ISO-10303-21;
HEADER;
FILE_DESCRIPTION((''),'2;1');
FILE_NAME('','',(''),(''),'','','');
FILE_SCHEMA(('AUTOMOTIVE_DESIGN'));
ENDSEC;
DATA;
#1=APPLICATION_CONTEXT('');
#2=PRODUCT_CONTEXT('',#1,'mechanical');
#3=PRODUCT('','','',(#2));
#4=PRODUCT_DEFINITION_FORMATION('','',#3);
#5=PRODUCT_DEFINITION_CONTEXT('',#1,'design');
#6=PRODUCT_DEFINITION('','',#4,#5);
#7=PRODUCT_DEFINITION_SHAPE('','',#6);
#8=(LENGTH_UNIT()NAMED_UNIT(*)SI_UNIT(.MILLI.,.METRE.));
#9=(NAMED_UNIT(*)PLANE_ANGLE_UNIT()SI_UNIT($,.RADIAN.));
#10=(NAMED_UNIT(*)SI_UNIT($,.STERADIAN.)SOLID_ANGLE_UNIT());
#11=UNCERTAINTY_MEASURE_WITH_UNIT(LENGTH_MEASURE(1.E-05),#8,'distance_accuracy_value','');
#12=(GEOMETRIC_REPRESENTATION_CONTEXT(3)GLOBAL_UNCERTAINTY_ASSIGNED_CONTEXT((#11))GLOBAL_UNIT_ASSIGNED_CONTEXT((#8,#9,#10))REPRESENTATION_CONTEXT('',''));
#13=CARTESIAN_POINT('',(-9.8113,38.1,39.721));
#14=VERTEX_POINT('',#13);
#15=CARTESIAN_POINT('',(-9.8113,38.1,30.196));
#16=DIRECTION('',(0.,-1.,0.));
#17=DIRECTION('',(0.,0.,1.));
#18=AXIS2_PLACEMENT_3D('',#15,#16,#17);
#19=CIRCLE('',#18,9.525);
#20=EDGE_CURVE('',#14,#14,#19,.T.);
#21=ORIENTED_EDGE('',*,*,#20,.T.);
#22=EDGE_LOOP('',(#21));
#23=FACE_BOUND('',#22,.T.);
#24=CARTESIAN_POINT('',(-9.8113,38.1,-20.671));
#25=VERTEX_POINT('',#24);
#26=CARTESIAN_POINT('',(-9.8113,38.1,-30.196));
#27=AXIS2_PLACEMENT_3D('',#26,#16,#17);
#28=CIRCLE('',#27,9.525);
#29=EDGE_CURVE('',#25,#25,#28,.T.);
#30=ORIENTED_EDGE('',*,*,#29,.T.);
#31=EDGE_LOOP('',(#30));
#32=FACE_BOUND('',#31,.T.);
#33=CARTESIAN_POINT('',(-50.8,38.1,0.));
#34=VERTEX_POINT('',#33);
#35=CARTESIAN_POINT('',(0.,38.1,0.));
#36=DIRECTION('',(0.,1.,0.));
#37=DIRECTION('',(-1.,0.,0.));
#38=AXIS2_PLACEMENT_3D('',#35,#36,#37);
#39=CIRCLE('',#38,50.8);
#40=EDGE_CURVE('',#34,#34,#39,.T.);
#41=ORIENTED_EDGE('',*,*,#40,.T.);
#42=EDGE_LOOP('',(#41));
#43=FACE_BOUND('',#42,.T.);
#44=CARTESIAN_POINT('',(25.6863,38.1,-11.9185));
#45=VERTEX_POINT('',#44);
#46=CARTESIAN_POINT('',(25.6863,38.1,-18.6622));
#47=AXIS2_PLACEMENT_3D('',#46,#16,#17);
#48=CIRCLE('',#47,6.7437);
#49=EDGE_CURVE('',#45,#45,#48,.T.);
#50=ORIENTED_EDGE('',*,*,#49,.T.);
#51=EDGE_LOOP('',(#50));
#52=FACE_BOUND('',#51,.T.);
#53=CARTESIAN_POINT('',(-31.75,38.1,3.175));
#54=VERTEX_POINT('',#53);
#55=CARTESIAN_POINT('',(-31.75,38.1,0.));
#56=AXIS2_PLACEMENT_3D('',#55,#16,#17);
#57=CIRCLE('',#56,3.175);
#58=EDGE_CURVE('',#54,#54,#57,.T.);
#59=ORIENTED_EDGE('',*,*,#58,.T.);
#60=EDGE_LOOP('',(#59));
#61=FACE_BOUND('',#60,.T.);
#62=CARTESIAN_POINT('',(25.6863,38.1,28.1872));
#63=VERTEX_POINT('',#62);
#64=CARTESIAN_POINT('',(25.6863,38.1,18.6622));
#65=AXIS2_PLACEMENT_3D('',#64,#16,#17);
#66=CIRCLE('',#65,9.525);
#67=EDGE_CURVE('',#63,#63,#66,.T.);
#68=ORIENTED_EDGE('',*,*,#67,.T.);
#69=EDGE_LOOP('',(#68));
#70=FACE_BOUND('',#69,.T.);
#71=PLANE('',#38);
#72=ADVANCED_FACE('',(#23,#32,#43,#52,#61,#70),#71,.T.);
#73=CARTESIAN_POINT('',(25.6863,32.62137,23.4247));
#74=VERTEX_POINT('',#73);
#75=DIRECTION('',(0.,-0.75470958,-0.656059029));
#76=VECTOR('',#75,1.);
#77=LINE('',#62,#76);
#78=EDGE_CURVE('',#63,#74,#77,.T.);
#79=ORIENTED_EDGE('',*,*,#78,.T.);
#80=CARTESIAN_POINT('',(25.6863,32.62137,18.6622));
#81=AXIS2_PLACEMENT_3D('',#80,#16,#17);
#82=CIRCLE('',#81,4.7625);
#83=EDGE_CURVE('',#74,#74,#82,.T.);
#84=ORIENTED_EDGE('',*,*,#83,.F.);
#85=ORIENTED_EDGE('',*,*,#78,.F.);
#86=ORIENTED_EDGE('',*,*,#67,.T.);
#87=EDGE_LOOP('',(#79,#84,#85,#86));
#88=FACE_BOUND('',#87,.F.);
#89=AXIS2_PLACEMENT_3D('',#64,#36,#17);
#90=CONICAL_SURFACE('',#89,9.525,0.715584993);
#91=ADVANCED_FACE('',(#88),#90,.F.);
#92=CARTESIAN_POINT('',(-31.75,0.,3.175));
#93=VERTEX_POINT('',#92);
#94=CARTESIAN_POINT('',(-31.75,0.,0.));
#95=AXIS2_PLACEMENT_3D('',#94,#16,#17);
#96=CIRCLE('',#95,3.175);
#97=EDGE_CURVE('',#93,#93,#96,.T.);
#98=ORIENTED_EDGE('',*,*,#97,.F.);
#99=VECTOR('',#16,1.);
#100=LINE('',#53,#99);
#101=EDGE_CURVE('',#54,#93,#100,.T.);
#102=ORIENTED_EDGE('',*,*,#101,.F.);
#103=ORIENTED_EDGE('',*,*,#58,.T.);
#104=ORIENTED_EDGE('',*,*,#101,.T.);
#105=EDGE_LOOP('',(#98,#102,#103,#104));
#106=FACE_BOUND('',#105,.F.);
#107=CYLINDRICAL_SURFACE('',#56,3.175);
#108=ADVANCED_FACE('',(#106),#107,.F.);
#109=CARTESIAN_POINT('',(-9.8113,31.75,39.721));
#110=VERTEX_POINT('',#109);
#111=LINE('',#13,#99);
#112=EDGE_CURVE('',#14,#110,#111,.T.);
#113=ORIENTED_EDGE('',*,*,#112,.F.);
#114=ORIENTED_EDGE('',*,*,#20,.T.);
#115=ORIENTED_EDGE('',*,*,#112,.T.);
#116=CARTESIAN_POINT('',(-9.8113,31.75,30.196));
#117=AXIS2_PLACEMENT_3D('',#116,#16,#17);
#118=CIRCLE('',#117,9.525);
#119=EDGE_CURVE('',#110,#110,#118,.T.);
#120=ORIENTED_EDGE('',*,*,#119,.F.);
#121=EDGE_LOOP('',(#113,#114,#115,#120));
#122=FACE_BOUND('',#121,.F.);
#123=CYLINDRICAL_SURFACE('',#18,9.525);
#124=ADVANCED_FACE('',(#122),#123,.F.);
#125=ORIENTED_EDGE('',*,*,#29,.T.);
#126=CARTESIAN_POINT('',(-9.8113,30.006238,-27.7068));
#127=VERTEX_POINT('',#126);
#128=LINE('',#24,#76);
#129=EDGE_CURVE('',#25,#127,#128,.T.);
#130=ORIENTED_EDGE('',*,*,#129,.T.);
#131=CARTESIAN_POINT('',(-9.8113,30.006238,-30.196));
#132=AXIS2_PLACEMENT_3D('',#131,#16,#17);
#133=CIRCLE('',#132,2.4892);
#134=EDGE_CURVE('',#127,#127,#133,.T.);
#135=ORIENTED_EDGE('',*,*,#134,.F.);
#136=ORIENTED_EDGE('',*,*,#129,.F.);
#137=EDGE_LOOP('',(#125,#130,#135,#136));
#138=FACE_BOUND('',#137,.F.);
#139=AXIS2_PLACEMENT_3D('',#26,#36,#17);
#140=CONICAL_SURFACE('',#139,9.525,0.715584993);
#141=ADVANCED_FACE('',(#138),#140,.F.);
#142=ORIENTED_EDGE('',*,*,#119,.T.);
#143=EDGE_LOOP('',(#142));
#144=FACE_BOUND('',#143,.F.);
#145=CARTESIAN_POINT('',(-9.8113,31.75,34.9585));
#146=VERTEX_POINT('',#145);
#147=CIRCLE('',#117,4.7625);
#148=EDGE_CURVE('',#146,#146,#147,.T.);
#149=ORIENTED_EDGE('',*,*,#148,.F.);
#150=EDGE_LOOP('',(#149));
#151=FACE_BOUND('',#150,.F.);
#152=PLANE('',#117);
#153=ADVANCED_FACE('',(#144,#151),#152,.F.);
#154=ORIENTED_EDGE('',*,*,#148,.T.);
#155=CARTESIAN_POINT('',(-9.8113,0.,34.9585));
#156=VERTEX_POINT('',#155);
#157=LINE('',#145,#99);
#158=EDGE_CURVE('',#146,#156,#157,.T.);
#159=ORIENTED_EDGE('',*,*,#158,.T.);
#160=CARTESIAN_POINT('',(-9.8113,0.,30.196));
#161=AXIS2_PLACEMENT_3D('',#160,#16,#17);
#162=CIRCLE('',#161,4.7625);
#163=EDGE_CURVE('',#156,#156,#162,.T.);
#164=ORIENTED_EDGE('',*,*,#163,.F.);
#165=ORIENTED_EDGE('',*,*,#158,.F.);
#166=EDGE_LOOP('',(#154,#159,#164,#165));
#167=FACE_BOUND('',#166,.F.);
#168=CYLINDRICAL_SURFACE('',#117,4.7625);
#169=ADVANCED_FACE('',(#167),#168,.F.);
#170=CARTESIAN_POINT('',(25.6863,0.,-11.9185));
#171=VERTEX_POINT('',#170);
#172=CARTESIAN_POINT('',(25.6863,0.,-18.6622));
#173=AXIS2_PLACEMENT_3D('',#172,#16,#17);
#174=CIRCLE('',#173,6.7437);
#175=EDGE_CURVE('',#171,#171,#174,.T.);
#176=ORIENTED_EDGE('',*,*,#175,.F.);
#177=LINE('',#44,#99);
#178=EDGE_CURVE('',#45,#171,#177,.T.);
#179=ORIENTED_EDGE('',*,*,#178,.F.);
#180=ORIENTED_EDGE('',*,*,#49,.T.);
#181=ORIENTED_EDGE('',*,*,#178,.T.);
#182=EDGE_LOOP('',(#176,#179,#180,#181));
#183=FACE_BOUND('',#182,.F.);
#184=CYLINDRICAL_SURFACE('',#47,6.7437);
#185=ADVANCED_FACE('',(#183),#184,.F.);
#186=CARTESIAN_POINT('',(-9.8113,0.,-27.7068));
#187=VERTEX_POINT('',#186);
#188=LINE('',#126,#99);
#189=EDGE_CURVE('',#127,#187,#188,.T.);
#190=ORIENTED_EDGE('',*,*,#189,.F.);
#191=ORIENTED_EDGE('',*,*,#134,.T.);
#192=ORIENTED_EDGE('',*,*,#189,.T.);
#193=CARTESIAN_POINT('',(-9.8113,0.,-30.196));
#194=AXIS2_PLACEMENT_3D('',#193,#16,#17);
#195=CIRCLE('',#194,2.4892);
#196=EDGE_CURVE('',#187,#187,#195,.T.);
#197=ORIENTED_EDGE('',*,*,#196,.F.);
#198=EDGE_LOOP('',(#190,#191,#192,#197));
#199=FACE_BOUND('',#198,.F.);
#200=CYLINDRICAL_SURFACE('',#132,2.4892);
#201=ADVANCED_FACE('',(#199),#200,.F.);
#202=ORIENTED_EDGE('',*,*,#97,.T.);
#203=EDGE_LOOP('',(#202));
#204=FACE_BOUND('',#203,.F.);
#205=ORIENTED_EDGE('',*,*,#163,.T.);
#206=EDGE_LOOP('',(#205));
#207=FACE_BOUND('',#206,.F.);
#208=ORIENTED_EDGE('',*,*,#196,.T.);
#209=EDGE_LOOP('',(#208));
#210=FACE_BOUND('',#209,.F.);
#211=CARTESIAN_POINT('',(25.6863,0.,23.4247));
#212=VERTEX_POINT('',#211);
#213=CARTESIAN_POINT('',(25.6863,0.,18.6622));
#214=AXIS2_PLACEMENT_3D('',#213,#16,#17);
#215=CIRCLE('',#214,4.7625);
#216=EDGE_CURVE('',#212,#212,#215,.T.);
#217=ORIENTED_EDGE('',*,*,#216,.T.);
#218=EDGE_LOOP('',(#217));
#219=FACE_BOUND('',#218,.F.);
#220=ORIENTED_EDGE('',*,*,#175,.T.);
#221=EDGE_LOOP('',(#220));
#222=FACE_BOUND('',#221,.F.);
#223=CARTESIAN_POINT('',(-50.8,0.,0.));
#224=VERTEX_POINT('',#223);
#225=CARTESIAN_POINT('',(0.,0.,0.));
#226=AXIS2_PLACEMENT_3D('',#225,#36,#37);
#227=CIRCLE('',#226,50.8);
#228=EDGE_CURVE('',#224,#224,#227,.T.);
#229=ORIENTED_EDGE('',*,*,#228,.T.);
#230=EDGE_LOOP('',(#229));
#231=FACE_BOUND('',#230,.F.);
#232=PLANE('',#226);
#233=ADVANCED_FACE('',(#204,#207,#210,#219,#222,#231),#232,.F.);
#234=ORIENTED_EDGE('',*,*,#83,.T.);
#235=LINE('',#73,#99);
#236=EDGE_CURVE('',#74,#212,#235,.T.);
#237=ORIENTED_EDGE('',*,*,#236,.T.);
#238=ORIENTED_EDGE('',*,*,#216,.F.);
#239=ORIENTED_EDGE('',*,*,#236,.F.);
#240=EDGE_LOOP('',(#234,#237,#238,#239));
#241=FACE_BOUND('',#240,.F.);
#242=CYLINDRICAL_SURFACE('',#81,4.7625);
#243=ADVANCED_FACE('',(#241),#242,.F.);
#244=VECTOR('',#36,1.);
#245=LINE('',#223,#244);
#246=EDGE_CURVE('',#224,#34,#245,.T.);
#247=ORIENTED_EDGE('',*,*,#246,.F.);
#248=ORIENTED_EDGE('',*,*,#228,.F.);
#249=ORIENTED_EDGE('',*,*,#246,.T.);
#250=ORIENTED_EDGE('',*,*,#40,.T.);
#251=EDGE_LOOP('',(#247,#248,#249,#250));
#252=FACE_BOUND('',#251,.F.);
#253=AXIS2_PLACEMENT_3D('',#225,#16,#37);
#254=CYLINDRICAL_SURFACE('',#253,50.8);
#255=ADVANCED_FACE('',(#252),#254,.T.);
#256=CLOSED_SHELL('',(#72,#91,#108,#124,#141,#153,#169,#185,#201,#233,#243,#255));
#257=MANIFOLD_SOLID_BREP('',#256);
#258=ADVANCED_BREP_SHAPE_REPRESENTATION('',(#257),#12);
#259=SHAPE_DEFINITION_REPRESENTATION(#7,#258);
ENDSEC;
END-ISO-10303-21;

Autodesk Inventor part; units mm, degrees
ref_plane "YZ Plane" through (0, 0, 0) normal (1, 0, 0) x (0, 1, 0)
ref_plane "XZ Plane" through (0, 0, 0) normal (0, 1, 0) x (-1, 0, 0)
ref_plane "XY Plane" through (0, 0, 0) normal (0, 0, 1) x (1, 0, 0)
sketch "Sketch1" plane through (0, 0, 0) normal (0, 1, 0) x (-1, 0, 0)
  circle A0 centre (0, 0) radius 50.8
  dimension "d0" = 101.6
extrude "Extrusion1" add sketch "Sketch1" along normal blind 38.1
sketch "Sketch2" plane through (0, 38.1, 0) normal (0, 1, 0) x (1, 0, 0)
  point P0 (0, 0)
  point P1 (-31.75, 0)
  point P2 (-9.8113, -30.196)
  point P3 (25.6863, -18.6622)
  point P4 (25.6863, 18.6622)
  point P5 (-9.8113, 30.196)
  dimension "d3" = 31.75
  dimension "d4" = 0
  dimension "d7" = 360
hole "Hole1" at (-31.75, 38.1, 0) direction (0, -1, 0) diameter 6.35 end through all
hole "Hole2" at (-9.8113, 38.1, 30.196) direction (0, -1, 0) diameter 9.525 end through all counterbore diameter 19.05 counterbore depth 6.35
hole "Hole3" at (25.6863, 38.1, 18.6622) direction (0, -1, 0) diameter 9.525 end through all countersink diameter 19.05 countersink angle 82
hole "Hole4" at (-9.8113, 38.1, -30.196) direction (0, -1, 0) diameter 4.9784 end through all countersink diameter 19.05 countersink angle 82 thread size "1/4-20 UNC" class "1B" standard "ANSI Unified Screw Threads"
hole "Hole5" at (25.6863, 38.1, -18.6622) direction (0, -1, 0) diameter 13.4874 end through all clearance for "Hex Head Bolt" size "1/2" standard "Ansi Unified Screw Threads"
properties part number "Hole Practice"
